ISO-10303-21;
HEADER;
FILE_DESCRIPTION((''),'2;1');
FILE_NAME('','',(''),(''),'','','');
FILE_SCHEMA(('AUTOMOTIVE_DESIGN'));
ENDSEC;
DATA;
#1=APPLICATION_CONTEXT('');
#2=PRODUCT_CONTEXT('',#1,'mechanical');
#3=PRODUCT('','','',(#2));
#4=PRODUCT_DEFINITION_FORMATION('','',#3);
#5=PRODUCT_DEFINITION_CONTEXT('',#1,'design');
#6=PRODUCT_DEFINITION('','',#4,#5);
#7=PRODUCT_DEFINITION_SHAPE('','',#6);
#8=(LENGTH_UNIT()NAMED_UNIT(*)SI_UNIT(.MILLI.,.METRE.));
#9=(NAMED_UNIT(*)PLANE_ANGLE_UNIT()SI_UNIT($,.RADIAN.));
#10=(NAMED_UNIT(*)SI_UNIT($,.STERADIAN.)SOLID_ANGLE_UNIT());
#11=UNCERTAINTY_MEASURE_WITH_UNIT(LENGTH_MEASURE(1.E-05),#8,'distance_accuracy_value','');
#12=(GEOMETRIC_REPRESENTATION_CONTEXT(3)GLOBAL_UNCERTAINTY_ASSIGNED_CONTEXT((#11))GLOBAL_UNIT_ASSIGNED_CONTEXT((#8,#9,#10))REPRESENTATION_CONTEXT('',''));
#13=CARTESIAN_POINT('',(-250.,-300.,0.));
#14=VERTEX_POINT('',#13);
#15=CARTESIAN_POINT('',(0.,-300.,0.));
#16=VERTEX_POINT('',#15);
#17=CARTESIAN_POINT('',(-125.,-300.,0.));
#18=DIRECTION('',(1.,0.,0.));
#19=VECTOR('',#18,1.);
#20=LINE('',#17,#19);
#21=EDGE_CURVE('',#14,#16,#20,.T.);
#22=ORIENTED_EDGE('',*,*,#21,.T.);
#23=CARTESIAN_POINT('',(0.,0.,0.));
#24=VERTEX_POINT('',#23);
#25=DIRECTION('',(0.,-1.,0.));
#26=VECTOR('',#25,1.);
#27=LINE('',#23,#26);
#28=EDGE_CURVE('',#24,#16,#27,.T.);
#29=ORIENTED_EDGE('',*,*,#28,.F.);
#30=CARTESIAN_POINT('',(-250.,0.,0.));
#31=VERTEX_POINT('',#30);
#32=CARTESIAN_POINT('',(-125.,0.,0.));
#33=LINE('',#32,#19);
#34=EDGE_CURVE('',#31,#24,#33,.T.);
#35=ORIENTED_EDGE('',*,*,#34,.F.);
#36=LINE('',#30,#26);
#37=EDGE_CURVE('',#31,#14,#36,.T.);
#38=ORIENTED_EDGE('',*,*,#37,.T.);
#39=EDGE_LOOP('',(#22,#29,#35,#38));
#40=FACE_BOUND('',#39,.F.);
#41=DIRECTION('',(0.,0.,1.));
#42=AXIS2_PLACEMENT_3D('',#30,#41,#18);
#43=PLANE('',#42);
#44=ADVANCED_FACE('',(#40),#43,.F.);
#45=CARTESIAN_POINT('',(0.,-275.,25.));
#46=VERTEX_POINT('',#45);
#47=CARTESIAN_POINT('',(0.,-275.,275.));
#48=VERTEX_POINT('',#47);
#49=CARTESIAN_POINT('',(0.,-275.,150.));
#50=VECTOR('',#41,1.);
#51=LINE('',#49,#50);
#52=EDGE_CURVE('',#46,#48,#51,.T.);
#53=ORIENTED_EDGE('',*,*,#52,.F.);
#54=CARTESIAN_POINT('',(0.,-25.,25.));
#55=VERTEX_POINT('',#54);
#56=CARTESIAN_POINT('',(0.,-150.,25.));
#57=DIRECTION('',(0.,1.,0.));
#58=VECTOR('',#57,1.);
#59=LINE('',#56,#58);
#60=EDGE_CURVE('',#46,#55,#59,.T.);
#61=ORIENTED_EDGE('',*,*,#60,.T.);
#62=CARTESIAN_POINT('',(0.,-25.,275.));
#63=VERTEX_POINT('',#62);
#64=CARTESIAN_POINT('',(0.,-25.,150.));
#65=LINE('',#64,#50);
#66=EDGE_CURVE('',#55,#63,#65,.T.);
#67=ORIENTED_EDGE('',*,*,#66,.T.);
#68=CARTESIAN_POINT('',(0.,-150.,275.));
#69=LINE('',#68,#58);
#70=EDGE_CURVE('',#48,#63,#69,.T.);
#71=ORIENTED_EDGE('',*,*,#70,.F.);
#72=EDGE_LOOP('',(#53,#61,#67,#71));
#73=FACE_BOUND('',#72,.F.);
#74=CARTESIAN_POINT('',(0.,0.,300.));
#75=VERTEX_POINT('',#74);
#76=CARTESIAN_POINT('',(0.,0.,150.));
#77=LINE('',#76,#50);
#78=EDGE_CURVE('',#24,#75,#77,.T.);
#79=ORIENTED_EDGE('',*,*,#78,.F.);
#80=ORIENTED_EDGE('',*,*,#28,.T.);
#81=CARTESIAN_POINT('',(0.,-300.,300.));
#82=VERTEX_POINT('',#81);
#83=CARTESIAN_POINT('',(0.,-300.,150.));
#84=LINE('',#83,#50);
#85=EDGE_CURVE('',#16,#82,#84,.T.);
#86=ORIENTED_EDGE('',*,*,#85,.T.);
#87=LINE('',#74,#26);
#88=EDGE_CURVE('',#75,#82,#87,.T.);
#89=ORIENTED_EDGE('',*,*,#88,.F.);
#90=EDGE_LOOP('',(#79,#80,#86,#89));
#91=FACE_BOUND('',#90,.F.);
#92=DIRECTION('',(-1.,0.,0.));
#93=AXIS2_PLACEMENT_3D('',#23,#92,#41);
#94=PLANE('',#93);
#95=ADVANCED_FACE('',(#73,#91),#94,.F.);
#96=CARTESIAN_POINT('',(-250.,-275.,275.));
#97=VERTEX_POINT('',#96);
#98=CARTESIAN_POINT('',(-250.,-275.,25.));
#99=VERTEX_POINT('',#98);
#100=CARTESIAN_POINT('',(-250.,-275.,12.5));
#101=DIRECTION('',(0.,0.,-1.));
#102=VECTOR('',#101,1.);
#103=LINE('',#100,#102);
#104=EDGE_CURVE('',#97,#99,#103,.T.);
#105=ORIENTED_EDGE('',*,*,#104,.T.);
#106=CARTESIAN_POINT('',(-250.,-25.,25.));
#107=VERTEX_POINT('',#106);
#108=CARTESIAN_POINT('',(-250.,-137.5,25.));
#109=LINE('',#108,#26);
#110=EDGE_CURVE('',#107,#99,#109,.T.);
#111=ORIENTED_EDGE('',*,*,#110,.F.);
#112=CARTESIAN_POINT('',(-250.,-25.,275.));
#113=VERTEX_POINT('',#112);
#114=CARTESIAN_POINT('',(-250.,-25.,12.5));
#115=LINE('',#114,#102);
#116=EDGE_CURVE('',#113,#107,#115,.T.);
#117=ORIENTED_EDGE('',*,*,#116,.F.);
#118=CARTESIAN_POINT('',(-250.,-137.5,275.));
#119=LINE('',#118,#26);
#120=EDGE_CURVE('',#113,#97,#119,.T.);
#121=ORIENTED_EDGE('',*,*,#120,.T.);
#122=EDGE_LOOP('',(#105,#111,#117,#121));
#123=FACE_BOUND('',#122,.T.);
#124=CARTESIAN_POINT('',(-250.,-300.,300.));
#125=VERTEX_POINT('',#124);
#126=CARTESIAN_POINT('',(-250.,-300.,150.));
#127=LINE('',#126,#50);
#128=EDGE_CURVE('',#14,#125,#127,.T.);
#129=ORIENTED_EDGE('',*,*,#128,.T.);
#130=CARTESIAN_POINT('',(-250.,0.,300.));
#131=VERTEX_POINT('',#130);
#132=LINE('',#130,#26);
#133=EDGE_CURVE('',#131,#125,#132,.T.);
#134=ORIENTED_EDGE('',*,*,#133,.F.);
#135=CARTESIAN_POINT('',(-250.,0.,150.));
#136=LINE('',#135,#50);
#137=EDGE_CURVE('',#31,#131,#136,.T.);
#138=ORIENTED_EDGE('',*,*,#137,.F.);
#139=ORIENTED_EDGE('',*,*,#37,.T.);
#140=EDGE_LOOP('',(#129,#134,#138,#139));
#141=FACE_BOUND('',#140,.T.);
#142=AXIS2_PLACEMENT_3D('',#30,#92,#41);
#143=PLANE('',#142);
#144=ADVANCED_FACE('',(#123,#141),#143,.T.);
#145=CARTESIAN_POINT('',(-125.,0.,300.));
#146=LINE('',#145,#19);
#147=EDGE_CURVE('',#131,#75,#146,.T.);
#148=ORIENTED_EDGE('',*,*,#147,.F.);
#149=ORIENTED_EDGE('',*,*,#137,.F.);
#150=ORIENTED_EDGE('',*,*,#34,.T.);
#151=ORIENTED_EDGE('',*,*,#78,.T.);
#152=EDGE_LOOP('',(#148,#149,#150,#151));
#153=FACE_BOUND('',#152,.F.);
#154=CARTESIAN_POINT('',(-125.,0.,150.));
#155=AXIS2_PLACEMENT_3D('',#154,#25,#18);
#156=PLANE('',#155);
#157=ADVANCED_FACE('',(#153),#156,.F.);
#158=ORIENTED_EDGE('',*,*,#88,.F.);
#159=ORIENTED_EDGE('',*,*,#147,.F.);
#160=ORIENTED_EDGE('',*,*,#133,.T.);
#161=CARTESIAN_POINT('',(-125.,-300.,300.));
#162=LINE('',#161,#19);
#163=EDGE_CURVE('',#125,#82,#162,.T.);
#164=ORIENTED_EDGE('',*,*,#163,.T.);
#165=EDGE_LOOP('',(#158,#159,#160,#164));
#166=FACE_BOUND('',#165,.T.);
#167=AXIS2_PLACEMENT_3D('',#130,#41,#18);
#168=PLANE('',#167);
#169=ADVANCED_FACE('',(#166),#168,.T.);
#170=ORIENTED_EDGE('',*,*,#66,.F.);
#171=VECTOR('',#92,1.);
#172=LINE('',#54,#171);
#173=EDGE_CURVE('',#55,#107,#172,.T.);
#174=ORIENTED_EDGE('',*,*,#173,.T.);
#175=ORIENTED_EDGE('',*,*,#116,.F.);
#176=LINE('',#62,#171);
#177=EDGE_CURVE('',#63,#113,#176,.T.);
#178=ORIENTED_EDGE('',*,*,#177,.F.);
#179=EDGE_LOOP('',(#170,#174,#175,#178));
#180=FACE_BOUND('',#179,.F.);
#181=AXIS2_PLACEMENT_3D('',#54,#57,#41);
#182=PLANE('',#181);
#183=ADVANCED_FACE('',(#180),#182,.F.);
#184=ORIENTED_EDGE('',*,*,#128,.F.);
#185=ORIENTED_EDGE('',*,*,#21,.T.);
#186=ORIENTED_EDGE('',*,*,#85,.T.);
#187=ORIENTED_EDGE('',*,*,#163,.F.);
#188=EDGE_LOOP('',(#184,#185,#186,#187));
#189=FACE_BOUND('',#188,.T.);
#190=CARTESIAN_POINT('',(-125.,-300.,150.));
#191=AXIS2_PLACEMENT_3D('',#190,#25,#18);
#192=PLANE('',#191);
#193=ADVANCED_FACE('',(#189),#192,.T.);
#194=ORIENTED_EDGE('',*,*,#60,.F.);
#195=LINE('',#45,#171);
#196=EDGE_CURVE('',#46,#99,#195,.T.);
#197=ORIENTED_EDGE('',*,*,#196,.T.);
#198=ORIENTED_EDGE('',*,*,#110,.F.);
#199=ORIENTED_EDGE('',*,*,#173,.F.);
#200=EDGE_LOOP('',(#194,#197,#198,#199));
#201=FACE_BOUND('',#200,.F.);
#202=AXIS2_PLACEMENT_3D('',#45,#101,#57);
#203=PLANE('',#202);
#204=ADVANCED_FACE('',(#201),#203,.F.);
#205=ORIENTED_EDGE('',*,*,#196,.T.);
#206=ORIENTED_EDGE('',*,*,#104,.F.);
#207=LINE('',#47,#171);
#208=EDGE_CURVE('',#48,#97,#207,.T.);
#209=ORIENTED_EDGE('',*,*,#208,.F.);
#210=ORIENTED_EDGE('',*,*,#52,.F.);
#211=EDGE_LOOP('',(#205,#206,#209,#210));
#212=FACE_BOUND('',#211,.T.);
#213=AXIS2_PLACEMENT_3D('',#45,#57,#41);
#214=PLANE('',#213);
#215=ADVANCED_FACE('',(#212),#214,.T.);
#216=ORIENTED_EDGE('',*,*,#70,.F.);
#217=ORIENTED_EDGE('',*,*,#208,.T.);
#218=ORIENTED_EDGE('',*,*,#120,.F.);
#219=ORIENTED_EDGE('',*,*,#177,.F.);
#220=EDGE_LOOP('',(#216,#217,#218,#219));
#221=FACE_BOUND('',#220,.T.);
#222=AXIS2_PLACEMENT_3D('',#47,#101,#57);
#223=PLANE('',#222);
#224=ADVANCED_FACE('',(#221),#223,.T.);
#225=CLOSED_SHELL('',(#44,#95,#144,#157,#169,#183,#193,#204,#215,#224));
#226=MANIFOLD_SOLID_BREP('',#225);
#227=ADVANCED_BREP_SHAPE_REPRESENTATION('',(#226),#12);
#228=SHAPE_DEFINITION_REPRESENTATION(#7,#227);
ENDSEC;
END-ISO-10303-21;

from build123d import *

# Parameters (mm, degrees)
F0_W     = 250
F0_H     = 300
F1_DEPTH = 300
F2_W     = 250
F2_H     = 250
F3_DEPTH = 250.001


with BuildPart() as f1:
    # F0 (on Front) → F1 (new body)
    with BuildSketch(Plane.XZ):
        with Locations((-125, 150)):
            Rectangle(F0_W, F0_H)
    extrude(amount=F1_DEPTH)

    # F2 (on face) → F3 (cut, through all)
    with BuildSketch(Plane.YZ):
        with Locations((-150, 150)):
            Rectangle(F2_W, F2_H)
    extrude(amount=-F3_DEPTH, mode=Mode.SUBTRACT)


solid = f1.part
